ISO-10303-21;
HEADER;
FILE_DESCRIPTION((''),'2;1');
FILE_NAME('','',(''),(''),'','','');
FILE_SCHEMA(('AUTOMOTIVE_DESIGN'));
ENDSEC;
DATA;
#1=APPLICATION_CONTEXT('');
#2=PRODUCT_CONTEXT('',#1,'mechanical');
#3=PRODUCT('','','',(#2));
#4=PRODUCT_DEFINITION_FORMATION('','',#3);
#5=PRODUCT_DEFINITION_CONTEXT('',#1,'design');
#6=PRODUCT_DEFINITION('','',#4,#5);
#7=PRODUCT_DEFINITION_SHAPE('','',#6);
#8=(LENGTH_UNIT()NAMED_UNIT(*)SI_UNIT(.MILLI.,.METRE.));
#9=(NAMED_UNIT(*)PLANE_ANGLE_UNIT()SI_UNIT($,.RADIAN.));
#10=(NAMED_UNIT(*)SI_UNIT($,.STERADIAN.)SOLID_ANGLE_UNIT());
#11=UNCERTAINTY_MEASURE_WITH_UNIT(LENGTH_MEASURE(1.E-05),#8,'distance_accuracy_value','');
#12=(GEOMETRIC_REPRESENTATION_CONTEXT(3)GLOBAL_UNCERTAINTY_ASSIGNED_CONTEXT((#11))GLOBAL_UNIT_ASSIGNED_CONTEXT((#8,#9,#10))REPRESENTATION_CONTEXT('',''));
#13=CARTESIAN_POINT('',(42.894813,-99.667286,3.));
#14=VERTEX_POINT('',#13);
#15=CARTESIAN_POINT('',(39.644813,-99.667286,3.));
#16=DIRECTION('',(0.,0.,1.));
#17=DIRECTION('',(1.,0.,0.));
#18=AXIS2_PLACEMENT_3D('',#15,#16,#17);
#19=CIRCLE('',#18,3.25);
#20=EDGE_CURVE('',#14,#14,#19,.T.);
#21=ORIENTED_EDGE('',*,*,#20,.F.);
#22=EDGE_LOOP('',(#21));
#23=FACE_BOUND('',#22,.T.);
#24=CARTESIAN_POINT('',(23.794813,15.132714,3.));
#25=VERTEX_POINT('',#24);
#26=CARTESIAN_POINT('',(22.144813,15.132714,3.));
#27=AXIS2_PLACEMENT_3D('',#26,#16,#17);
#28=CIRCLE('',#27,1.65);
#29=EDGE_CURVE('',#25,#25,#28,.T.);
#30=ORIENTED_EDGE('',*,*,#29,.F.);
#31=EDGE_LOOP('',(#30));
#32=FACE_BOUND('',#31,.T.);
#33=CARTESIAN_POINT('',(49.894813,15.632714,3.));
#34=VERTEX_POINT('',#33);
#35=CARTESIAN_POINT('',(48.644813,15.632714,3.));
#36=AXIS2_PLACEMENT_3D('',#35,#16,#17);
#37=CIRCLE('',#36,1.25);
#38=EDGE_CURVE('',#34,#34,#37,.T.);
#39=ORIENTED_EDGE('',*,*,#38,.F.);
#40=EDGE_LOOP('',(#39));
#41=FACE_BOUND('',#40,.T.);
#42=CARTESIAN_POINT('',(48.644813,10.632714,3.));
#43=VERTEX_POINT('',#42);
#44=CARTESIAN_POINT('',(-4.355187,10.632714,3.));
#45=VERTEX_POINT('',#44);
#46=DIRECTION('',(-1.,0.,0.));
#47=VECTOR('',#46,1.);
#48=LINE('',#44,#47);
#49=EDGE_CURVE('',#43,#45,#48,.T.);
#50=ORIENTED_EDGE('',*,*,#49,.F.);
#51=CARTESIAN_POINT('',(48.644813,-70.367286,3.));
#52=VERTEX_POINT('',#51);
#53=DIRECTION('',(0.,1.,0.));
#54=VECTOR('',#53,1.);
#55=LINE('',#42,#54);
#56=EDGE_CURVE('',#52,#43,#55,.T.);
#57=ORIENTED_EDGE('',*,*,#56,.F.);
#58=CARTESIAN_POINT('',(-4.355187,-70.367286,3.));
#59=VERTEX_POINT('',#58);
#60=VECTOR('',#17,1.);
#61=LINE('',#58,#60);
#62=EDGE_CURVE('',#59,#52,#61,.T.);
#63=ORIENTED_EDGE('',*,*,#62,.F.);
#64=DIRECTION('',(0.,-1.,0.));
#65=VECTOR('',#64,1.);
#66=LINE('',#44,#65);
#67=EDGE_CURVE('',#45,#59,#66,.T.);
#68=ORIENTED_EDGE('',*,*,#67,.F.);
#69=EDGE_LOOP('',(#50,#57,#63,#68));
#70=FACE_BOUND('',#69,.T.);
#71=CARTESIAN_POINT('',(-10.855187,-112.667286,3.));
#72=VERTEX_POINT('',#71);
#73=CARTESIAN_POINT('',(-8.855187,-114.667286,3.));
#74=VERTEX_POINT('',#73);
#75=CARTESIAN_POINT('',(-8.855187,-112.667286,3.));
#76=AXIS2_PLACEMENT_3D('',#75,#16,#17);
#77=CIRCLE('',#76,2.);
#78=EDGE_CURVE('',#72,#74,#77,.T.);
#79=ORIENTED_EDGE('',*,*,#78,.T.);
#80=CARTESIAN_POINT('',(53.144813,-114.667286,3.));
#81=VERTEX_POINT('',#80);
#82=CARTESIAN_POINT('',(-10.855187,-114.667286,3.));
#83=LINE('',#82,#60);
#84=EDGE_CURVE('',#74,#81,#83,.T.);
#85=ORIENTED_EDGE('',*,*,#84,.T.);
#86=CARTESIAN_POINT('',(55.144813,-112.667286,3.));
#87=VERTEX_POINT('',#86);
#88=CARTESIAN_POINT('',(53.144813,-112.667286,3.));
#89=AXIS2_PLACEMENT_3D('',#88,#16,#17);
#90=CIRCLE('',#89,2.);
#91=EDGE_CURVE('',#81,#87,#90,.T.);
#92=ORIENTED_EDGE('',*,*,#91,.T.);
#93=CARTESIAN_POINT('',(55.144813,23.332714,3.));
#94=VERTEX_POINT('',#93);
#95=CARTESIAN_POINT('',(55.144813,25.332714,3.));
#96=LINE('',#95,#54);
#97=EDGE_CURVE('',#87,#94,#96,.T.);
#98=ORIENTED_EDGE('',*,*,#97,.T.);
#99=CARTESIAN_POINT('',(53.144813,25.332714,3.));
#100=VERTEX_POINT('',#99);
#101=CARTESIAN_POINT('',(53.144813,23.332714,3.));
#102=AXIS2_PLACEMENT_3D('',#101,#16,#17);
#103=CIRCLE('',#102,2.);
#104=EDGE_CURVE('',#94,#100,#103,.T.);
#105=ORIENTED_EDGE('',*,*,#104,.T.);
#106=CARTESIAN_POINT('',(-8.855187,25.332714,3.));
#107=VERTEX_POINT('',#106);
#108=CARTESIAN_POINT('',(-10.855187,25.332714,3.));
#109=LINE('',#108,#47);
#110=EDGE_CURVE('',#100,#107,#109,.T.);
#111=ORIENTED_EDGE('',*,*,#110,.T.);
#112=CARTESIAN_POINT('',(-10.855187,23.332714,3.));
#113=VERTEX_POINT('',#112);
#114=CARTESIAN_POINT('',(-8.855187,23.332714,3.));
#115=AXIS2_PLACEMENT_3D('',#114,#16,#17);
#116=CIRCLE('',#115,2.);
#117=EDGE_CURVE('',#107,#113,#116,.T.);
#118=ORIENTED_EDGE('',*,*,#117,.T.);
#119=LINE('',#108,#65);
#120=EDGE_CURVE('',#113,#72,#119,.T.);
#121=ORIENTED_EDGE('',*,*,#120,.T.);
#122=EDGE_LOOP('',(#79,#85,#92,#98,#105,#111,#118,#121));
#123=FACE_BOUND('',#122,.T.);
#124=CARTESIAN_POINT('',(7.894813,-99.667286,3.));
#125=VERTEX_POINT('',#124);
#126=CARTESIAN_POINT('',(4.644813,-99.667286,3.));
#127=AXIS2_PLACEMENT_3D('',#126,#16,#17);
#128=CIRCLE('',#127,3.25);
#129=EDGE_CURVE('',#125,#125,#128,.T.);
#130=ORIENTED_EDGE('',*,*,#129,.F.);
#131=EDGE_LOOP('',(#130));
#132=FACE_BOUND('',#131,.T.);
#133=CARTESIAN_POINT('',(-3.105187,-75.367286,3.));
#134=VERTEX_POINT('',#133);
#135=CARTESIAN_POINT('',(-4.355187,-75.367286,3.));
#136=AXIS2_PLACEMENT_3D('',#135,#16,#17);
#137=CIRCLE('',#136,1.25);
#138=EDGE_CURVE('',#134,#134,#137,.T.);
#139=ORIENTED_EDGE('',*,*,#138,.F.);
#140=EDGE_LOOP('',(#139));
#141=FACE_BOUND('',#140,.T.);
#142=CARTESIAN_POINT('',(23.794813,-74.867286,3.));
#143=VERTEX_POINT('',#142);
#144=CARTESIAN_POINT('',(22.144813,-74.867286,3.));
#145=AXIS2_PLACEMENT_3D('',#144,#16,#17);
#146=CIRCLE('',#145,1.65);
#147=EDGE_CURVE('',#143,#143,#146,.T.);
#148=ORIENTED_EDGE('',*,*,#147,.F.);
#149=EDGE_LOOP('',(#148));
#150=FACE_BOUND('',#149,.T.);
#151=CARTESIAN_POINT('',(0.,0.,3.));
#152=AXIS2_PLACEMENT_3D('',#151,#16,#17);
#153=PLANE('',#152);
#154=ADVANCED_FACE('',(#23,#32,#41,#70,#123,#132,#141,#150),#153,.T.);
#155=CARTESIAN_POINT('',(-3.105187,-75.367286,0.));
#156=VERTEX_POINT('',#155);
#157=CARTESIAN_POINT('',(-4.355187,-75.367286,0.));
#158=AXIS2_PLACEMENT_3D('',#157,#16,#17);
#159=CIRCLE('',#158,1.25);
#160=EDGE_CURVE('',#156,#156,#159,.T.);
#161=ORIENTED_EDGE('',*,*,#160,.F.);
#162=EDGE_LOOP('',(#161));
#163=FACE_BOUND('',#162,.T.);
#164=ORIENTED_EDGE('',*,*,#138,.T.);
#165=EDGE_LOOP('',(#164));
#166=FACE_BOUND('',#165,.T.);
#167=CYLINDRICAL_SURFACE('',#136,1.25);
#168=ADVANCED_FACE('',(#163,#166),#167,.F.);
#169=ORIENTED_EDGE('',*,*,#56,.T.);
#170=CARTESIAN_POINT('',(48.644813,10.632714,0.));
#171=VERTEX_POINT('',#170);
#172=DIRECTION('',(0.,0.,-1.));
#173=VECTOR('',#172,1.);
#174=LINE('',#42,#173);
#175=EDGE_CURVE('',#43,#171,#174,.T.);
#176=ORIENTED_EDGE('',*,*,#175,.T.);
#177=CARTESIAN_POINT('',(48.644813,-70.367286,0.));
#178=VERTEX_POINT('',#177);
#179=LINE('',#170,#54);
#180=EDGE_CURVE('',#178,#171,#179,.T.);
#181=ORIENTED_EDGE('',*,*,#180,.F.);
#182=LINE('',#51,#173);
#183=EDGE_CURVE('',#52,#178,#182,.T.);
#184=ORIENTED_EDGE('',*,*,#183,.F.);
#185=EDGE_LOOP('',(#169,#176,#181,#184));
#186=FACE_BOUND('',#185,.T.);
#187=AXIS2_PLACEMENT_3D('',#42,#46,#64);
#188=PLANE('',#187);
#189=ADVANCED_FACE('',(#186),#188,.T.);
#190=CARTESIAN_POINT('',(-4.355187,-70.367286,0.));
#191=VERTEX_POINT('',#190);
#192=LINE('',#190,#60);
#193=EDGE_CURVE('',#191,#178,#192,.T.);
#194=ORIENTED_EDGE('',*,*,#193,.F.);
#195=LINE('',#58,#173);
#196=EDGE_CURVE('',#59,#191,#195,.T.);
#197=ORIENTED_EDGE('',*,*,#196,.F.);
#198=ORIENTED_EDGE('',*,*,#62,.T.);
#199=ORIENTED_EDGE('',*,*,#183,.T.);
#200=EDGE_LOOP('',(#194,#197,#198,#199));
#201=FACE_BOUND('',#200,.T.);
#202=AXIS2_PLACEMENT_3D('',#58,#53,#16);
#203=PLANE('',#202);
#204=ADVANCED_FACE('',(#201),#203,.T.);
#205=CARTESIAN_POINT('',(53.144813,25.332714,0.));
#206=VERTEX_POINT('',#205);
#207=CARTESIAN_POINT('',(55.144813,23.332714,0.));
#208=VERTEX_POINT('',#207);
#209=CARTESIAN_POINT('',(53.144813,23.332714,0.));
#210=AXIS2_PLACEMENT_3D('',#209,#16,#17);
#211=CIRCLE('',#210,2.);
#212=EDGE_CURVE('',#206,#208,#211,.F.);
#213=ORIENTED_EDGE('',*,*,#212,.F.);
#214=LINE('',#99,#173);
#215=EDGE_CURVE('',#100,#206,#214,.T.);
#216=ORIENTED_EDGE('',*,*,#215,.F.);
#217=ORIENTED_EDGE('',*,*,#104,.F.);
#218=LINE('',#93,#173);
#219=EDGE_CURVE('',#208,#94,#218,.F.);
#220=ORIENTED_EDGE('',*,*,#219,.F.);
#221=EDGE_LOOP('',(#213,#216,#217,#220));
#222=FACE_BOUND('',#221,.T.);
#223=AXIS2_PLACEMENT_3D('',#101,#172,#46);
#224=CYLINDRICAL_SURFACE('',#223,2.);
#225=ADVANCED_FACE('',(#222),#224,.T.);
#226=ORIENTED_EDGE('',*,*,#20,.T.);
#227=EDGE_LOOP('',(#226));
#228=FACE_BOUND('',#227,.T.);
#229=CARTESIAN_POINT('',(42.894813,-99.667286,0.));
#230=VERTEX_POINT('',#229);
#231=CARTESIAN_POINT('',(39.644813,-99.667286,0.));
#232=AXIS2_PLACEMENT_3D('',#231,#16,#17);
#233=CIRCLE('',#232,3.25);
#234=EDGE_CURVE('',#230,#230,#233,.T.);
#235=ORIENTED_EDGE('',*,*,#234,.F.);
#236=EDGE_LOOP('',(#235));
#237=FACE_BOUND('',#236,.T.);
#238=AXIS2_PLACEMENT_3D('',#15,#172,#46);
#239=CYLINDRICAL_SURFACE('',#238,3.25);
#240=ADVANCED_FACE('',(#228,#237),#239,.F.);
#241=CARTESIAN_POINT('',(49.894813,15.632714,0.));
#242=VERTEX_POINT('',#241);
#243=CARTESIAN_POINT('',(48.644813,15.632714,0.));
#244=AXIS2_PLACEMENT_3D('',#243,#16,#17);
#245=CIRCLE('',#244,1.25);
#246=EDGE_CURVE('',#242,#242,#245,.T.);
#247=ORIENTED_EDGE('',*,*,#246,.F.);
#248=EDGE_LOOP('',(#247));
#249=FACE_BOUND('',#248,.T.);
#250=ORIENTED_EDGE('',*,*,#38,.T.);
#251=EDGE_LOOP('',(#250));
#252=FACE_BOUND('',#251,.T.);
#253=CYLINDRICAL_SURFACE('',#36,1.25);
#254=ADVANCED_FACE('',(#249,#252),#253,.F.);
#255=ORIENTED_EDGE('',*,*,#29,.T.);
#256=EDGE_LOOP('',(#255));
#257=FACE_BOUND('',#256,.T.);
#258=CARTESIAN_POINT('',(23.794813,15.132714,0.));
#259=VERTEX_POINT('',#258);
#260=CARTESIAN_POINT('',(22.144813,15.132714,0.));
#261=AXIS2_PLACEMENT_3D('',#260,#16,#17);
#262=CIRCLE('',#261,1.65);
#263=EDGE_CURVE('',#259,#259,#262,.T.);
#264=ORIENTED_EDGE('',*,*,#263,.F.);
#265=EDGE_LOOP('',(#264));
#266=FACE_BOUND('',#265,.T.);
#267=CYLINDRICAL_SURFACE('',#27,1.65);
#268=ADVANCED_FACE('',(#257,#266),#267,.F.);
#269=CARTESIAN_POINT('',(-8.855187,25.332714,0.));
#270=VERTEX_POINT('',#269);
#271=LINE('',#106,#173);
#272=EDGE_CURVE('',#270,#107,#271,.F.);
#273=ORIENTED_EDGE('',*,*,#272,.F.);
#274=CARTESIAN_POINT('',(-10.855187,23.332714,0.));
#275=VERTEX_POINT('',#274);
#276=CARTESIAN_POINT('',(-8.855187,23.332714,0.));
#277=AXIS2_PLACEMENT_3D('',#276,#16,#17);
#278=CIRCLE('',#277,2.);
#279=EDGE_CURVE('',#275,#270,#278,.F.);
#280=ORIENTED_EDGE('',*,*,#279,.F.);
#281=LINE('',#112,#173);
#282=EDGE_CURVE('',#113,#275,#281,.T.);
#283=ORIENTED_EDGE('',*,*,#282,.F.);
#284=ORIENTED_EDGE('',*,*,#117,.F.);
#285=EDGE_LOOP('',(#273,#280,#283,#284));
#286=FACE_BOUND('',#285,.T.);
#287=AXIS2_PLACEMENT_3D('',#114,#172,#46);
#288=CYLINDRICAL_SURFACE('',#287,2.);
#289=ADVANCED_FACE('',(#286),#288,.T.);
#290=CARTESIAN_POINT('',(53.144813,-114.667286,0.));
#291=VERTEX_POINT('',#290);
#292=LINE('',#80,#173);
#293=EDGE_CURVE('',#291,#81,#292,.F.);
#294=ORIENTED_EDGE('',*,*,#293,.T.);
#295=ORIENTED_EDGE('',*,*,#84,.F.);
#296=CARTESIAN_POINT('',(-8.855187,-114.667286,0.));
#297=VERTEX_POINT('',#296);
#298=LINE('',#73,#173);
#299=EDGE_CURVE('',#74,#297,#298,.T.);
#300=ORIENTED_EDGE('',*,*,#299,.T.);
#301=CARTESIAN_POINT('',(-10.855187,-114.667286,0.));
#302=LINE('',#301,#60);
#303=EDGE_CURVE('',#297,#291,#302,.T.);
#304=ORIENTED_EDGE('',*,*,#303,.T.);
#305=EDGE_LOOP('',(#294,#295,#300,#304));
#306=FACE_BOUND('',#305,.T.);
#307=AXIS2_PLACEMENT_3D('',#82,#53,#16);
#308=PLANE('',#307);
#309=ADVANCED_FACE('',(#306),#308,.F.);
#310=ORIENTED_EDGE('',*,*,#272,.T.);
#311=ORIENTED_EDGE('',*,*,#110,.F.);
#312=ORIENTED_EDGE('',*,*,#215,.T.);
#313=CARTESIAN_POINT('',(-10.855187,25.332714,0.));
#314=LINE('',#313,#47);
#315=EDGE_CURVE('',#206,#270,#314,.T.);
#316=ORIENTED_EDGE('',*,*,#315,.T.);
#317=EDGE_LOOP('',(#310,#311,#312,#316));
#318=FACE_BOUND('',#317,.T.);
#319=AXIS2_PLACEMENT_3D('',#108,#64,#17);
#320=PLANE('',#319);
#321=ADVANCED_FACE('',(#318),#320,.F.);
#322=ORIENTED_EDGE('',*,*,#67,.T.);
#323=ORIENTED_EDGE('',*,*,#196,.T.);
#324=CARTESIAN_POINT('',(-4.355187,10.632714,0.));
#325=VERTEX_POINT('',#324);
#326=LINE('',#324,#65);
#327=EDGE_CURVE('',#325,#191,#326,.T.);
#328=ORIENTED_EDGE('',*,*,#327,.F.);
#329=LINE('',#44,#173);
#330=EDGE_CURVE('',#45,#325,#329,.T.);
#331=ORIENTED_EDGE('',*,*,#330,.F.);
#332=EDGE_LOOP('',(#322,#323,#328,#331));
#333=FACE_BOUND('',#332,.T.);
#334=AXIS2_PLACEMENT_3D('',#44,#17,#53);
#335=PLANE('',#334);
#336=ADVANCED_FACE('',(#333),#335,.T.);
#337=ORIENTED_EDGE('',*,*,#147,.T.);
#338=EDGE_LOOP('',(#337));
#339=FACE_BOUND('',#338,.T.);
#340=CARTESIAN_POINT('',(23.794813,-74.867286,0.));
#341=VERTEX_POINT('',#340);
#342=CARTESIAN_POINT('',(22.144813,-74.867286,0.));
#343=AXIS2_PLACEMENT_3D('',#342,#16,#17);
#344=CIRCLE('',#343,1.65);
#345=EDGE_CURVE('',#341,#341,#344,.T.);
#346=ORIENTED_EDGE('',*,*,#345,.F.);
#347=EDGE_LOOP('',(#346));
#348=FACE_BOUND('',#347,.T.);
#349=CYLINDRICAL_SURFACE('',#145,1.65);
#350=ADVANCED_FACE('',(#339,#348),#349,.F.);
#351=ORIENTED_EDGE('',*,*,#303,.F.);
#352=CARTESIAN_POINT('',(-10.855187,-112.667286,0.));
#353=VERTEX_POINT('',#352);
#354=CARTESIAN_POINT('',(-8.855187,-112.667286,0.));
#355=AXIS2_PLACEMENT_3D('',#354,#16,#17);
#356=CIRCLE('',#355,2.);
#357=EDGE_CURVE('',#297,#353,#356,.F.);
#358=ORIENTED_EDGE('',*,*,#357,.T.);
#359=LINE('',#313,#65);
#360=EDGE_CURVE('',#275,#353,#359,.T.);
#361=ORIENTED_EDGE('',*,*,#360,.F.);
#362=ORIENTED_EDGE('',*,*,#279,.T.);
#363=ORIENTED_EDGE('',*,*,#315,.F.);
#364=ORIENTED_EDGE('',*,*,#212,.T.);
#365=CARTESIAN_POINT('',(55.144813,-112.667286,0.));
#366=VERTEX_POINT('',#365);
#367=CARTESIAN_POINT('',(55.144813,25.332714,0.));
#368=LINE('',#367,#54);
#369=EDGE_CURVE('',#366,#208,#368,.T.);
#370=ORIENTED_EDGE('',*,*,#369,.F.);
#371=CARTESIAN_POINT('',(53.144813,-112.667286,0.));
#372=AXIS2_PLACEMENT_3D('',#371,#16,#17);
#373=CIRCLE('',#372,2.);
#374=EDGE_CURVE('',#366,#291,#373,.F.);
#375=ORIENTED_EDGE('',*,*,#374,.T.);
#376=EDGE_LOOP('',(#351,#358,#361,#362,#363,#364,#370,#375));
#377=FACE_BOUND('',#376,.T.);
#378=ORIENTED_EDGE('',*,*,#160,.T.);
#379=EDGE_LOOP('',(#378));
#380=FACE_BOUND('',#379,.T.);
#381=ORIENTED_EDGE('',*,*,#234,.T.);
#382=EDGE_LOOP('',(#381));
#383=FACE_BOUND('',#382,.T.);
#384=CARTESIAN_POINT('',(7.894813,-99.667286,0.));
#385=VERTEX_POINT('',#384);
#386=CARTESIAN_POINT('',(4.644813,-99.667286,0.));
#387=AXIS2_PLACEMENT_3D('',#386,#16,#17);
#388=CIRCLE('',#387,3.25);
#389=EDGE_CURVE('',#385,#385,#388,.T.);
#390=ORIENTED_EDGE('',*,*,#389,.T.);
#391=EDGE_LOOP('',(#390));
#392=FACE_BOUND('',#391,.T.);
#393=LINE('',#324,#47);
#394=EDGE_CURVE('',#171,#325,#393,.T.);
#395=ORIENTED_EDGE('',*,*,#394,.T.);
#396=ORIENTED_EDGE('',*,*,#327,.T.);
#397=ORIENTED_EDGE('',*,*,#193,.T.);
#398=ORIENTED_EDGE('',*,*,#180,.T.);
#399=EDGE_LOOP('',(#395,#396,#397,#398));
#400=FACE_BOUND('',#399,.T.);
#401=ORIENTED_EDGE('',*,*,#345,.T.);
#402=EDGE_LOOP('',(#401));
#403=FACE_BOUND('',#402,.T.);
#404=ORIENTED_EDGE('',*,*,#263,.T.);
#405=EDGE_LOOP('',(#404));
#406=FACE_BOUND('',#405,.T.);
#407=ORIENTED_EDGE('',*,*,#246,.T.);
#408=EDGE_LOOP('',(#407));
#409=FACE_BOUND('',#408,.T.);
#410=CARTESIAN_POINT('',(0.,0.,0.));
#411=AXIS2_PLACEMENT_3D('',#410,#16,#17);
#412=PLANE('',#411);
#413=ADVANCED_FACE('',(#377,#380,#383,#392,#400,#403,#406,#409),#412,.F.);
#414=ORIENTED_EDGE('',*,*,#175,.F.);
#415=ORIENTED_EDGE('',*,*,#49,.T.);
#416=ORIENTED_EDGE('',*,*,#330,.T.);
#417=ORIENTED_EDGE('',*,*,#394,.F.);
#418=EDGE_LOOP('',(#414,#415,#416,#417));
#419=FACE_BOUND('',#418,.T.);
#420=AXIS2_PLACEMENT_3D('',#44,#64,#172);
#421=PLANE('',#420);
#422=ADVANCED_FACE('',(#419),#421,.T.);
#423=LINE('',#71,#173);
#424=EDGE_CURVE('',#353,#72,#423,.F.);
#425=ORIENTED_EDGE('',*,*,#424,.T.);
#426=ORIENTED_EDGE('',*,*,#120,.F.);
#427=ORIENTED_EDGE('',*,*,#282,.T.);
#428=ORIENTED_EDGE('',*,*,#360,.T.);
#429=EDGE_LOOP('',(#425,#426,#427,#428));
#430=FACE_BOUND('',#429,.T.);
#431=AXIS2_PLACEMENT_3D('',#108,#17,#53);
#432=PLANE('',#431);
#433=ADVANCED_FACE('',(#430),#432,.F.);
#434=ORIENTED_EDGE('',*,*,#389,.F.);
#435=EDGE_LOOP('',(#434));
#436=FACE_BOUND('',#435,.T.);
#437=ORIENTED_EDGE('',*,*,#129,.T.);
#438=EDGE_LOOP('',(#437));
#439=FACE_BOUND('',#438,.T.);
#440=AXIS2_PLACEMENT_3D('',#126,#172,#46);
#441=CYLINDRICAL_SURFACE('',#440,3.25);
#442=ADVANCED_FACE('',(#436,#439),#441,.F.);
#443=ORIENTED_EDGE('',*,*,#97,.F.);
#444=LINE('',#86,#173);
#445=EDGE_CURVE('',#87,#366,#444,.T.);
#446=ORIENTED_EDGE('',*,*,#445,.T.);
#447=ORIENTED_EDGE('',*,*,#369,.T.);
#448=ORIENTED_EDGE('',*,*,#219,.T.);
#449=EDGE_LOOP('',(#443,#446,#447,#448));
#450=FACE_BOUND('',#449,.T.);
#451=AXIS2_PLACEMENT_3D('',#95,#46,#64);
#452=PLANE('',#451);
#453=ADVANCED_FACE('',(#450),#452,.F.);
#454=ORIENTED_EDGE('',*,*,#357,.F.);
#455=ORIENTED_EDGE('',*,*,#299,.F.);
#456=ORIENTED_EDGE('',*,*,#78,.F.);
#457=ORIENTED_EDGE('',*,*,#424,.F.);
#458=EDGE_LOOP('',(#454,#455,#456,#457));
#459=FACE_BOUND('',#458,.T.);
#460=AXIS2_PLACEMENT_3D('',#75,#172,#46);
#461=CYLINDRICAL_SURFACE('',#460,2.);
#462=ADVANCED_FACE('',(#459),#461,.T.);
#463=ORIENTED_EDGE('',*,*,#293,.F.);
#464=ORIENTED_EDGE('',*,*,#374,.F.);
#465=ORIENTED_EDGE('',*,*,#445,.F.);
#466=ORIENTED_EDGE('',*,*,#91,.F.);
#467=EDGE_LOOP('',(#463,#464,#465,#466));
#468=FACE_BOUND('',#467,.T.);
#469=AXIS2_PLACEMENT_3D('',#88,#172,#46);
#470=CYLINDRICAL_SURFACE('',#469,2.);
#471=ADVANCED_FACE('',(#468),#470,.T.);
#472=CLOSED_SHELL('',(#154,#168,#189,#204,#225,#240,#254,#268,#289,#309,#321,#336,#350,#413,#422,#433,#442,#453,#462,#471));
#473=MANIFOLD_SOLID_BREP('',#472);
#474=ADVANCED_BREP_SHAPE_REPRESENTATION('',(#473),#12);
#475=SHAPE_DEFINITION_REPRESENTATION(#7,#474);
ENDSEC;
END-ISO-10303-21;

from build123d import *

# Parameters (mm, degrees)
SKETCH1_W             = 66
SKETCH1_H             = 140
SKETCH1_R             = 3.25
SKETCH1_W_2           = 53
SKETCH1_H_2           = 81
BOSS_EXTRUDE1_DEPTH   = 3
FILLET1_R             = 2
M4X0_7_TAPPED_HOLE1_D = 3.3
M3X0_5_TAPPED_HOLE1_D = 2.5


with BuildPart() as part:
    # Sketch1 → Boss-Extrude1 (new body)
    with BuildSketch(Plane.XY):
        with Locations((22.144812637, -44.667286245)):
            Rectangle(SKETCH1_W, SKETCH1_H)
        with Locations((4.644812637, -99.667286245)):
            Circle(SKETCH1_R, mode=Mode.SUBTRACT)
        with Locations((39.644812637, -99.667286245)):
            Circle(SKETCH1_R, mode=Mode.SUBTRACT)
        with Locations((22.144812637, -29.867286245)):
            Rectangle(SKETCH1_W_2, SKETCH1_H_2, mode=Mode.SUBTRACT)
    extrude(amount=BOSS_EXTRUDE1_DEPTH)

    # Fillet1
    fillet1_edges = [part.edges().sort_by_distance(p)[0] for p in [
        (-10.855187363, 25.332713755, 1.5),
        (55.144812637, 25.332713755, 1.5),
        (55.144812637, -114.667286245, 1.5),
        (-10.855187363, -114.667286245, 1.5),
    ]]
    fillet(fillet1_edges, radius=FILLET1_R)

    # M4x0.7 Tapped Hole1 (through all)
    with Locations(Plane.XY.offset(3)):
        with Locations((22.144812637, 15.132713755), (22.144812637, -74.867286245)):
            Hole(M4X0_7_TAPPED_HOLE1_D / 2)

    # M3x0.5 Tapped Hole1 (through all)
    with Locations(Plane.XY.offset(3)):
        with Locations((48.644812637, 15.632713755), (-4.355187363, -75.367286245)):
            Hole(M3X0_5_TAPPED_HOLE1_D / 2)


solid = part.part
